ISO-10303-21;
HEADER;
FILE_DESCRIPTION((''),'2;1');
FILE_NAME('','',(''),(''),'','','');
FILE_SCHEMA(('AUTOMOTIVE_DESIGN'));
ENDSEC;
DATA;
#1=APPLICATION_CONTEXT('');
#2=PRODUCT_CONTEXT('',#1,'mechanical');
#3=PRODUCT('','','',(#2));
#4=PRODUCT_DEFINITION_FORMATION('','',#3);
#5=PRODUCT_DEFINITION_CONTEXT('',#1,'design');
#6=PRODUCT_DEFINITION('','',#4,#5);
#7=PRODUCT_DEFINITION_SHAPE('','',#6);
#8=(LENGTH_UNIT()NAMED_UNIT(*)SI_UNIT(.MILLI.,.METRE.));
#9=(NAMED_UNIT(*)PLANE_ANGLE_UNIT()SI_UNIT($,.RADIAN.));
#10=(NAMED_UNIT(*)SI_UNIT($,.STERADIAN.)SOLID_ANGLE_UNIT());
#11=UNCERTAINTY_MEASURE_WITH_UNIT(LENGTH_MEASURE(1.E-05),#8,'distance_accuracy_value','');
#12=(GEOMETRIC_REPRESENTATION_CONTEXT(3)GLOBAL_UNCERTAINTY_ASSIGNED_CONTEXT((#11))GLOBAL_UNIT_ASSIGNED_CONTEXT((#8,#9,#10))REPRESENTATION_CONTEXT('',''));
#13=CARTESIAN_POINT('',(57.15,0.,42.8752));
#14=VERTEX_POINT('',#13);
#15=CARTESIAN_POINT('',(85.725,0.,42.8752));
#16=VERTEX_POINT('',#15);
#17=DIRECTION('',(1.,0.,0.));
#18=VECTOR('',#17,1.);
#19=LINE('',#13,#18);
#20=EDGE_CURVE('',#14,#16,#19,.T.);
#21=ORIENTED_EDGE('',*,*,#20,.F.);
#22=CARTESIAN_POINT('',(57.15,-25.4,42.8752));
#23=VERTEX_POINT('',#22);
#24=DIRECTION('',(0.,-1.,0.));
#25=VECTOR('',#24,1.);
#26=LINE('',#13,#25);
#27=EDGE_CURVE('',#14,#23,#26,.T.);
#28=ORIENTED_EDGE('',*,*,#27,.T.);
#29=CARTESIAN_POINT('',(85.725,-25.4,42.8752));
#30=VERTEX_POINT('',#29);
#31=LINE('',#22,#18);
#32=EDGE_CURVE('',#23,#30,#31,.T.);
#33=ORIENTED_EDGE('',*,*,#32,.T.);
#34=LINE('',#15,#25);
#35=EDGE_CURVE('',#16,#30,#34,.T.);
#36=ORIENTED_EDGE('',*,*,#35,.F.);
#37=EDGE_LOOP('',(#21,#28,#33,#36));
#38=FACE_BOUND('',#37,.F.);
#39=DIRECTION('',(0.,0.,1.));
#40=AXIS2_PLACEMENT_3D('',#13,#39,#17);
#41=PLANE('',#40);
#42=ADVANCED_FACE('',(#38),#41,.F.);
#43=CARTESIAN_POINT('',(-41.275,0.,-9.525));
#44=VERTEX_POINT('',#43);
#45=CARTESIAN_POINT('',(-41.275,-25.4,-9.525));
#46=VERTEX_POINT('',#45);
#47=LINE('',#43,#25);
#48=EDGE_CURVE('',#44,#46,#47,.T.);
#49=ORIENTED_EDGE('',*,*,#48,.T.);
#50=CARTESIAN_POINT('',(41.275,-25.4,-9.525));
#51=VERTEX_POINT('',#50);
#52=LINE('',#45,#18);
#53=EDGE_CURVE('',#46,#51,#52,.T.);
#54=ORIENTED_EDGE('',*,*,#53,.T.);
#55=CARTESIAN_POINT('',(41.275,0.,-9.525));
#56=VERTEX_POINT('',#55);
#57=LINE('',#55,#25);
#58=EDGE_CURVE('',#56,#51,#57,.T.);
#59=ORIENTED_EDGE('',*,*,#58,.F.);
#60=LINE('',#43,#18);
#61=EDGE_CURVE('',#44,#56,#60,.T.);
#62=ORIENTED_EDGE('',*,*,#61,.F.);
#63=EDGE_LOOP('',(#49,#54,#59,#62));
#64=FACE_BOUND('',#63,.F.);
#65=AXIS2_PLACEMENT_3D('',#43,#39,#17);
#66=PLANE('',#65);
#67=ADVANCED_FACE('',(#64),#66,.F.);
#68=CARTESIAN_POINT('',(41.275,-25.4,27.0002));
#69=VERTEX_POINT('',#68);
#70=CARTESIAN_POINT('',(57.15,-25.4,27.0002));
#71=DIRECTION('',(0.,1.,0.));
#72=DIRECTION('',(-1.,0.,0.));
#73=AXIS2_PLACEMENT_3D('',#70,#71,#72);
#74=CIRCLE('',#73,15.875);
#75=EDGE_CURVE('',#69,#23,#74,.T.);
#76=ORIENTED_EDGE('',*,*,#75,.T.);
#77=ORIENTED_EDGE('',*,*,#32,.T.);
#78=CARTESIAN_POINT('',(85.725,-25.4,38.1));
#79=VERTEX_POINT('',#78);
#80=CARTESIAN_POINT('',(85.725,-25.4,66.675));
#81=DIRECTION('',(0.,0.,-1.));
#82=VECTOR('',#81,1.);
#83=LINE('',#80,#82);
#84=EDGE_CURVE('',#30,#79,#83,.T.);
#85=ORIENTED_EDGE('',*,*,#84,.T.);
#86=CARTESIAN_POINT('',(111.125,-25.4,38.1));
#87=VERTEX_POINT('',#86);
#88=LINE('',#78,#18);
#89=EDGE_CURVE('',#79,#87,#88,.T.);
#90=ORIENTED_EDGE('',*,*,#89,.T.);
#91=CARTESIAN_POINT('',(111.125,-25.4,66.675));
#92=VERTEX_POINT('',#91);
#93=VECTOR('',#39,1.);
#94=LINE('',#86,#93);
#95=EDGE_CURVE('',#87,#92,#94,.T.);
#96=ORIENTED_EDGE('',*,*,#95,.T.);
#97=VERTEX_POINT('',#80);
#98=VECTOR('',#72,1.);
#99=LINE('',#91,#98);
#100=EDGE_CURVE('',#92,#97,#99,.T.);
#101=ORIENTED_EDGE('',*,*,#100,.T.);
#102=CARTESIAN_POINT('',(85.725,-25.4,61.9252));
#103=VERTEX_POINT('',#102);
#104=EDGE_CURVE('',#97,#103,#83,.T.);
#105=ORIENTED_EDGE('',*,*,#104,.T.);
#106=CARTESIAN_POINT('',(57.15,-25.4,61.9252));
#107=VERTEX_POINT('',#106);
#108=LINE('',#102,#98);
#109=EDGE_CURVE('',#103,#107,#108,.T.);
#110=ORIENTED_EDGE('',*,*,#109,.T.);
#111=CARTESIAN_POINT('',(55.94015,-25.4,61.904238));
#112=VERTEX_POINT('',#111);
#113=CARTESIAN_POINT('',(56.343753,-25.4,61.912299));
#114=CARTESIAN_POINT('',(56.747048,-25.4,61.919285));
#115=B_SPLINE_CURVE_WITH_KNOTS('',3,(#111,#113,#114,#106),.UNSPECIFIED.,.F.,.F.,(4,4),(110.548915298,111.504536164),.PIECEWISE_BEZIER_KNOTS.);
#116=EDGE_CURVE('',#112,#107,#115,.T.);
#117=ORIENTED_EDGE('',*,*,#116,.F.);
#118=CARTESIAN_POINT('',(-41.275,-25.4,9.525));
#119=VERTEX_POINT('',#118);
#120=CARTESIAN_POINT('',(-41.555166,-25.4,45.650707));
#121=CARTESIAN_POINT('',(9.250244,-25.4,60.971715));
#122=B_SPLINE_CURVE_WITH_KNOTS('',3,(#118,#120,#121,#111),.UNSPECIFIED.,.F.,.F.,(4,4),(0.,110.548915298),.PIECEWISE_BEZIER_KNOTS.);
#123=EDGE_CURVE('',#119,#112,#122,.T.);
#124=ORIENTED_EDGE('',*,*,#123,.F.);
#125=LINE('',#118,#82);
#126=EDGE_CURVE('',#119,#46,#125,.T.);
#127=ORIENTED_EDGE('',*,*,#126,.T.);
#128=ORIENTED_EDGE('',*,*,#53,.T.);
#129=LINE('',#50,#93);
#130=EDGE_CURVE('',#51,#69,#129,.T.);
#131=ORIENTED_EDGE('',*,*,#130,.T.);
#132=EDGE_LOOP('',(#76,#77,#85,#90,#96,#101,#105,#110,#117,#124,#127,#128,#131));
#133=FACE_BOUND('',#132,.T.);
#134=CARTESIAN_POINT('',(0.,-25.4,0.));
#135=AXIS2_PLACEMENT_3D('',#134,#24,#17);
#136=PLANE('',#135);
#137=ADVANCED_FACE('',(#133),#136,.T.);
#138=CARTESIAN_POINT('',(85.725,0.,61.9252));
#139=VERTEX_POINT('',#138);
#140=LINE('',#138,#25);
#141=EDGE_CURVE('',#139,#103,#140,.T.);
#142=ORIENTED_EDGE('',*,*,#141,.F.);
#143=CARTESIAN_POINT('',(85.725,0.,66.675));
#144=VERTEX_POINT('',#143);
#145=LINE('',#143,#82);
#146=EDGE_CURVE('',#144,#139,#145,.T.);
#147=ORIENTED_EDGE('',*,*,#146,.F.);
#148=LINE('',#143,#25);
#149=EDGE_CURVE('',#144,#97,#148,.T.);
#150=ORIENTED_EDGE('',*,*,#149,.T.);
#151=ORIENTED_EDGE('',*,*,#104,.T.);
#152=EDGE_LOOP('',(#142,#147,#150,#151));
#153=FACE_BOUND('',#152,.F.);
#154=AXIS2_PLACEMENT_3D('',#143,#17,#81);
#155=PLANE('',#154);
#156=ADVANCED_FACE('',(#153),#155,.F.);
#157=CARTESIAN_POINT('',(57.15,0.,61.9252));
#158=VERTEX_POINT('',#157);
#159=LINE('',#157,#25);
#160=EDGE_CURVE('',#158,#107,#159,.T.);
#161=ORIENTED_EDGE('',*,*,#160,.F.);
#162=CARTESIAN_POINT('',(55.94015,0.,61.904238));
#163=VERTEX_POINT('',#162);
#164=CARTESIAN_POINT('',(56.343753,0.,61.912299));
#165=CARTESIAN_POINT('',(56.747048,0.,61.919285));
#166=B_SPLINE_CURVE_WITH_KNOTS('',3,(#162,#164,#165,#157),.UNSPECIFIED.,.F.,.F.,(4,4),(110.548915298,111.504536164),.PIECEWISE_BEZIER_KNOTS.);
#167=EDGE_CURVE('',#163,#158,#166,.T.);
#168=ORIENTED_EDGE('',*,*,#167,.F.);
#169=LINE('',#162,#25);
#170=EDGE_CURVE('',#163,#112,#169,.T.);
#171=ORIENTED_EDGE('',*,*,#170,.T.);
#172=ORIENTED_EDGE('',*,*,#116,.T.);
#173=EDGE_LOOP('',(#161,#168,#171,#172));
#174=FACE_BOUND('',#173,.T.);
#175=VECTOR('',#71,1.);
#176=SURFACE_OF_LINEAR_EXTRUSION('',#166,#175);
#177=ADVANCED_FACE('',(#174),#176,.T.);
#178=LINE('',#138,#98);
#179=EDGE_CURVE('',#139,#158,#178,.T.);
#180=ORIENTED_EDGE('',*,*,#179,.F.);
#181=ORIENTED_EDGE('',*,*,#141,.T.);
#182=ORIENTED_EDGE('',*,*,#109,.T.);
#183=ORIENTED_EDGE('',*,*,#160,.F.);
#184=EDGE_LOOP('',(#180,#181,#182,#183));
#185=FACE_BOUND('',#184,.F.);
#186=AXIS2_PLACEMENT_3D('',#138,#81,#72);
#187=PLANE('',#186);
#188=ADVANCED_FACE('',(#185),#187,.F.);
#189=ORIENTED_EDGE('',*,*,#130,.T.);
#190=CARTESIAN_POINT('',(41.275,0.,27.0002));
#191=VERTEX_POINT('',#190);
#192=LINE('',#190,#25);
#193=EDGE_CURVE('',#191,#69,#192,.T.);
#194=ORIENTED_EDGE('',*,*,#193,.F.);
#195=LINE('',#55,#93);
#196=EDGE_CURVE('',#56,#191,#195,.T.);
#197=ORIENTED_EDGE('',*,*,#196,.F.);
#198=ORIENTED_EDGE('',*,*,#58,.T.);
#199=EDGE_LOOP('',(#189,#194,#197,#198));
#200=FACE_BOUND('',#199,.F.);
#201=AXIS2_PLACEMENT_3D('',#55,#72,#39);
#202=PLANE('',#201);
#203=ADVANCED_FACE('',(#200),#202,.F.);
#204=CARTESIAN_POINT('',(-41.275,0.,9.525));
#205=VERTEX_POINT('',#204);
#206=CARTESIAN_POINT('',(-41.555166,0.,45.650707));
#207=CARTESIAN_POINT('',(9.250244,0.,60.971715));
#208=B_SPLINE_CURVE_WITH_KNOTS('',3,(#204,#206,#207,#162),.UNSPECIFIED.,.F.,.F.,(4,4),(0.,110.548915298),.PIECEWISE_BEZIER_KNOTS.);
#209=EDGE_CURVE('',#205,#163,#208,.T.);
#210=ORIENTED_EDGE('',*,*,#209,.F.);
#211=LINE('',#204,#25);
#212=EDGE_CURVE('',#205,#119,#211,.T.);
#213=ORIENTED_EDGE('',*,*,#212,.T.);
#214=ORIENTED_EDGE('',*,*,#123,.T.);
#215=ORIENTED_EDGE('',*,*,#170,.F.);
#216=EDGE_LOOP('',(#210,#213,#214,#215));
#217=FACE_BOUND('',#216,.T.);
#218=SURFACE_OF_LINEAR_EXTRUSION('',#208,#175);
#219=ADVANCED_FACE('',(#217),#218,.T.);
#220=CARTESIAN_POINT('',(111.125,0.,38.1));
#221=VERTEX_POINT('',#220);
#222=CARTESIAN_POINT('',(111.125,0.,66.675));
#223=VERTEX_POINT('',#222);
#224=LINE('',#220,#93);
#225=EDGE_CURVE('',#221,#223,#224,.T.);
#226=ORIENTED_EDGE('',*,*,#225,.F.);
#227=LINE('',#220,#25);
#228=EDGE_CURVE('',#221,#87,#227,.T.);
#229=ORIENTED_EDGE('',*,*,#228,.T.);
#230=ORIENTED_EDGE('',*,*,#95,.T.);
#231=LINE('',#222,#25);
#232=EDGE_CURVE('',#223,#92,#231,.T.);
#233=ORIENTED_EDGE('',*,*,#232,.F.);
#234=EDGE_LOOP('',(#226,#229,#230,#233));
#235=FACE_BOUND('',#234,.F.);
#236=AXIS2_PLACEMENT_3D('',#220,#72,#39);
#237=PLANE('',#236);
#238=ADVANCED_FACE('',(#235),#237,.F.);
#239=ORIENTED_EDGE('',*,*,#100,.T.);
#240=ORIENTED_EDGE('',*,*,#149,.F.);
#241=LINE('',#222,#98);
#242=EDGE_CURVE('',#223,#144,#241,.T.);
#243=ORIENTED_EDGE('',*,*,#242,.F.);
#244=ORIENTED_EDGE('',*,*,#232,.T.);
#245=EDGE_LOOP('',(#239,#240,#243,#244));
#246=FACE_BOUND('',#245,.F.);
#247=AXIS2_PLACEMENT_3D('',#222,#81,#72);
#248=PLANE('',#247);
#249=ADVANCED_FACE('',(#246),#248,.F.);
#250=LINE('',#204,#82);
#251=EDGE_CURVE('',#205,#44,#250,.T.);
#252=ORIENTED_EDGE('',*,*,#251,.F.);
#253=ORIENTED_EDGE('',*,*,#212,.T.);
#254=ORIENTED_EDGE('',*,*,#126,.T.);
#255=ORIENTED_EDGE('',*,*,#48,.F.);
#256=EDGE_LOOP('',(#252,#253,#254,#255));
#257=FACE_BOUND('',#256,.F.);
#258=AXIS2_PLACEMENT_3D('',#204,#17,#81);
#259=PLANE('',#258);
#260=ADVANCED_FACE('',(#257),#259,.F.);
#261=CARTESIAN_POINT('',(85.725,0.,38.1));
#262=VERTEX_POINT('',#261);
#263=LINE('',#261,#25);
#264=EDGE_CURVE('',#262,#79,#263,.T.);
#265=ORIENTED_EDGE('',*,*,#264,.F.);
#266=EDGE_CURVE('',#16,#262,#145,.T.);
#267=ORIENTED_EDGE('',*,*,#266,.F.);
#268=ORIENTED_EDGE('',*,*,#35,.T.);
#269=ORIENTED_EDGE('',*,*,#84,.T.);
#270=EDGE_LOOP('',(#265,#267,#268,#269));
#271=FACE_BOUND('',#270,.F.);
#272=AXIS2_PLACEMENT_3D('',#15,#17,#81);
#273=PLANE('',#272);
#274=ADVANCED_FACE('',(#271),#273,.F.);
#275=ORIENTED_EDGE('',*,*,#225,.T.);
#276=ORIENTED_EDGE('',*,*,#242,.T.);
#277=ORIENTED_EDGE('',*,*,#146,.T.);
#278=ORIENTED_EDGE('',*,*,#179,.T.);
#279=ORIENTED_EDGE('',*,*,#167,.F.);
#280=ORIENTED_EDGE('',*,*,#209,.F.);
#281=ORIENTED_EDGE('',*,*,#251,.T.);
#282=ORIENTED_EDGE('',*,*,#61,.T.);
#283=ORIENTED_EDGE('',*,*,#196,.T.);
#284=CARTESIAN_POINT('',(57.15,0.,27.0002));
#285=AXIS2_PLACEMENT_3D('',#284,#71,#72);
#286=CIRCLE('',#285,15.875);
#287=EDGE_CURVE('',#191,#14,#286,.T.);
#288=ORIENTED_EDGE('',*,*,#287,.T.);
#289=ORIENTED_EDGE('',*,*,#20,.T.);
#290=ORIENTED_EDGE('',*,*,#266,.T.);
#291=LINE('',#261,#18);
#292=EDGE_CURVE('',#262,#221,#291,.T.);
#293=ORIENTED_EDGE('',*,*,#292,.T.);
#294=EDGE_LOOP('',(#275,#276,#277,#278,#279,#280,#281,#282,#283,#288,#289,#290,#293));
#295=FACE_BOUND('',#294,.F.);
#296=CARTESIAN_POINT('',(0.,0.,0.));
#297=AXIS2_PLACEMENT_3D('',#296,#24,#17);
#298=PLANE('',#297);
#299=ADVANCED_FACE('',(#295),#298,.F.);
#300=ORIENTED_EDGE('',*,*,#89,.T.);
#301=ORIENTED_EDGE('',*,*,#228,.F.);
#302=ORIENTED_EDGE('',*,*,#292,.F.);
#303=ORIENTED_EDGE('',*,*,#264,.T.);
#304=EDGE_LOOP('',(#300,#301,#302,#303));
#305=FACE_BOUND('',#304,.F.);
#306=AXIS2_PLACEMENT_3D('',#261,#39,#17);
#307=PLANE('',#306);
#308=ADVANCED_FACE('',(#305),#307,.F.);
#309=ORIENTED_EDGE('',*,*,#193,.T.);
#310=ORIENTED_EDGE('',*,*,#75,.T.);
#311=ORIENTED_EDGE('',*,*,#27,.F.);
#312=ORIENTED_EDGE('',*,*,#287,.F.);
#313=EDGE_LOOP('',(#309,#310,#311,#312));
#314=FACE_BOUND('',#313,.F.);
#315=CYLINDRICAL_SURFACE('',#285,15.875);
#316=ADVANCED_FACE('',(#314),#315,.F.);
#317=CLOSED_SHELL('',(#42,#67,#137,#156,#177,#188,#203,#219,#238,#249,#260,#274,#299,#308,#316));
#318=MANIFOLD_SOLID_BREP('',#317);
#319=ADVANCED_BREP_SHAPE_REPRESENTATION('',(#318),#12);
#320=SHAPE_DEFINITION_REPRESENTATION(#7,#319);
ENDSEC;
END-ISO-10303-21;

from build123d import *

# Parameters (mm, degrees)
F0_W     = 25.4
F0_H     = 19.05
F1_DEPTH = 25.4


with BuildPart() as f1:
    # F0 (on Front) → F1 (new body)
    with BuildSketch(Plane.XZ):
        Polygon((-41.275, -9.525), (41.275, -9.525), (41.275, 9.525), (22.225, 9.525), (-41.275, 9.525), align=None)
        with BuildLine():
            add(Edge.make_bspline(
                [(-41.275, 9.525), (-41.5551658384, 45.6507069416), (9.2502436299, 60.9717154589), (55.9401499254, 61.9042382735)],
                knots=[0, 0, 0, 0, 110.5489152978, 110.5489152978, 110.5489152978, 110.5489152978], degree=3))
            Line((-41.275, 9.525), (22.225, 9.525))
            Line((22.225, 9.525), (22.225, 27.0002))
            ThreePointArc((22.225, 27.0002), (32.0301906968, 51.2643877171), (55.9401499254, 61.9042382735))
        make_face()
        Polygon((85.725, 61.9252), (85.725, 42.8752), (85.725, 38.1), (111.125, 38.1), (111.125, 66.675), (85.725, 66.675), align=None)
        with BuildLine():
            Line((22.225, 9.525), (41.275, 9.525))
            Line((41.275, 9.525), (41.275, 27.0002))
            ThreePointArc((41.275, 27.0002), (45.9246798487, 38.2255201513), (57.15, 42.8752))
            Line((57.15, 42.8752), (60.325, 42.8752))
            Line((60.325, 42.8752), (60.325, 61.9252))
            Line((60.325, 61.9252), (57.15, 61.9252))
            add(Edge.make_bspline(
                [(55.9401499254, 61.9042382735), (56.3437526975, 61.9122993047), (56.7470479413, 61.9192851654), (57.15, 61.9252)],
                knots=[110.5489152978, 110.5489152978, 110.5489152978, 110.5489152978, 111.5045361635, 111.5045361635, 111.5045361635, 111.5045361635], degree=3))
            ThreePointArc((55.9401499254, 61.9042382735), (32.0301906968, 51.2643877171), (22.225, 27.0002))
            Line((22.225, 27.0002), (22.225, 9.525))
        make_face()
        with Locations((73.025, 52.4002)):
            Rectangle(F0_W, F0_H)
    extrude(amount=F1_DEPTH)


solid = f1.part
